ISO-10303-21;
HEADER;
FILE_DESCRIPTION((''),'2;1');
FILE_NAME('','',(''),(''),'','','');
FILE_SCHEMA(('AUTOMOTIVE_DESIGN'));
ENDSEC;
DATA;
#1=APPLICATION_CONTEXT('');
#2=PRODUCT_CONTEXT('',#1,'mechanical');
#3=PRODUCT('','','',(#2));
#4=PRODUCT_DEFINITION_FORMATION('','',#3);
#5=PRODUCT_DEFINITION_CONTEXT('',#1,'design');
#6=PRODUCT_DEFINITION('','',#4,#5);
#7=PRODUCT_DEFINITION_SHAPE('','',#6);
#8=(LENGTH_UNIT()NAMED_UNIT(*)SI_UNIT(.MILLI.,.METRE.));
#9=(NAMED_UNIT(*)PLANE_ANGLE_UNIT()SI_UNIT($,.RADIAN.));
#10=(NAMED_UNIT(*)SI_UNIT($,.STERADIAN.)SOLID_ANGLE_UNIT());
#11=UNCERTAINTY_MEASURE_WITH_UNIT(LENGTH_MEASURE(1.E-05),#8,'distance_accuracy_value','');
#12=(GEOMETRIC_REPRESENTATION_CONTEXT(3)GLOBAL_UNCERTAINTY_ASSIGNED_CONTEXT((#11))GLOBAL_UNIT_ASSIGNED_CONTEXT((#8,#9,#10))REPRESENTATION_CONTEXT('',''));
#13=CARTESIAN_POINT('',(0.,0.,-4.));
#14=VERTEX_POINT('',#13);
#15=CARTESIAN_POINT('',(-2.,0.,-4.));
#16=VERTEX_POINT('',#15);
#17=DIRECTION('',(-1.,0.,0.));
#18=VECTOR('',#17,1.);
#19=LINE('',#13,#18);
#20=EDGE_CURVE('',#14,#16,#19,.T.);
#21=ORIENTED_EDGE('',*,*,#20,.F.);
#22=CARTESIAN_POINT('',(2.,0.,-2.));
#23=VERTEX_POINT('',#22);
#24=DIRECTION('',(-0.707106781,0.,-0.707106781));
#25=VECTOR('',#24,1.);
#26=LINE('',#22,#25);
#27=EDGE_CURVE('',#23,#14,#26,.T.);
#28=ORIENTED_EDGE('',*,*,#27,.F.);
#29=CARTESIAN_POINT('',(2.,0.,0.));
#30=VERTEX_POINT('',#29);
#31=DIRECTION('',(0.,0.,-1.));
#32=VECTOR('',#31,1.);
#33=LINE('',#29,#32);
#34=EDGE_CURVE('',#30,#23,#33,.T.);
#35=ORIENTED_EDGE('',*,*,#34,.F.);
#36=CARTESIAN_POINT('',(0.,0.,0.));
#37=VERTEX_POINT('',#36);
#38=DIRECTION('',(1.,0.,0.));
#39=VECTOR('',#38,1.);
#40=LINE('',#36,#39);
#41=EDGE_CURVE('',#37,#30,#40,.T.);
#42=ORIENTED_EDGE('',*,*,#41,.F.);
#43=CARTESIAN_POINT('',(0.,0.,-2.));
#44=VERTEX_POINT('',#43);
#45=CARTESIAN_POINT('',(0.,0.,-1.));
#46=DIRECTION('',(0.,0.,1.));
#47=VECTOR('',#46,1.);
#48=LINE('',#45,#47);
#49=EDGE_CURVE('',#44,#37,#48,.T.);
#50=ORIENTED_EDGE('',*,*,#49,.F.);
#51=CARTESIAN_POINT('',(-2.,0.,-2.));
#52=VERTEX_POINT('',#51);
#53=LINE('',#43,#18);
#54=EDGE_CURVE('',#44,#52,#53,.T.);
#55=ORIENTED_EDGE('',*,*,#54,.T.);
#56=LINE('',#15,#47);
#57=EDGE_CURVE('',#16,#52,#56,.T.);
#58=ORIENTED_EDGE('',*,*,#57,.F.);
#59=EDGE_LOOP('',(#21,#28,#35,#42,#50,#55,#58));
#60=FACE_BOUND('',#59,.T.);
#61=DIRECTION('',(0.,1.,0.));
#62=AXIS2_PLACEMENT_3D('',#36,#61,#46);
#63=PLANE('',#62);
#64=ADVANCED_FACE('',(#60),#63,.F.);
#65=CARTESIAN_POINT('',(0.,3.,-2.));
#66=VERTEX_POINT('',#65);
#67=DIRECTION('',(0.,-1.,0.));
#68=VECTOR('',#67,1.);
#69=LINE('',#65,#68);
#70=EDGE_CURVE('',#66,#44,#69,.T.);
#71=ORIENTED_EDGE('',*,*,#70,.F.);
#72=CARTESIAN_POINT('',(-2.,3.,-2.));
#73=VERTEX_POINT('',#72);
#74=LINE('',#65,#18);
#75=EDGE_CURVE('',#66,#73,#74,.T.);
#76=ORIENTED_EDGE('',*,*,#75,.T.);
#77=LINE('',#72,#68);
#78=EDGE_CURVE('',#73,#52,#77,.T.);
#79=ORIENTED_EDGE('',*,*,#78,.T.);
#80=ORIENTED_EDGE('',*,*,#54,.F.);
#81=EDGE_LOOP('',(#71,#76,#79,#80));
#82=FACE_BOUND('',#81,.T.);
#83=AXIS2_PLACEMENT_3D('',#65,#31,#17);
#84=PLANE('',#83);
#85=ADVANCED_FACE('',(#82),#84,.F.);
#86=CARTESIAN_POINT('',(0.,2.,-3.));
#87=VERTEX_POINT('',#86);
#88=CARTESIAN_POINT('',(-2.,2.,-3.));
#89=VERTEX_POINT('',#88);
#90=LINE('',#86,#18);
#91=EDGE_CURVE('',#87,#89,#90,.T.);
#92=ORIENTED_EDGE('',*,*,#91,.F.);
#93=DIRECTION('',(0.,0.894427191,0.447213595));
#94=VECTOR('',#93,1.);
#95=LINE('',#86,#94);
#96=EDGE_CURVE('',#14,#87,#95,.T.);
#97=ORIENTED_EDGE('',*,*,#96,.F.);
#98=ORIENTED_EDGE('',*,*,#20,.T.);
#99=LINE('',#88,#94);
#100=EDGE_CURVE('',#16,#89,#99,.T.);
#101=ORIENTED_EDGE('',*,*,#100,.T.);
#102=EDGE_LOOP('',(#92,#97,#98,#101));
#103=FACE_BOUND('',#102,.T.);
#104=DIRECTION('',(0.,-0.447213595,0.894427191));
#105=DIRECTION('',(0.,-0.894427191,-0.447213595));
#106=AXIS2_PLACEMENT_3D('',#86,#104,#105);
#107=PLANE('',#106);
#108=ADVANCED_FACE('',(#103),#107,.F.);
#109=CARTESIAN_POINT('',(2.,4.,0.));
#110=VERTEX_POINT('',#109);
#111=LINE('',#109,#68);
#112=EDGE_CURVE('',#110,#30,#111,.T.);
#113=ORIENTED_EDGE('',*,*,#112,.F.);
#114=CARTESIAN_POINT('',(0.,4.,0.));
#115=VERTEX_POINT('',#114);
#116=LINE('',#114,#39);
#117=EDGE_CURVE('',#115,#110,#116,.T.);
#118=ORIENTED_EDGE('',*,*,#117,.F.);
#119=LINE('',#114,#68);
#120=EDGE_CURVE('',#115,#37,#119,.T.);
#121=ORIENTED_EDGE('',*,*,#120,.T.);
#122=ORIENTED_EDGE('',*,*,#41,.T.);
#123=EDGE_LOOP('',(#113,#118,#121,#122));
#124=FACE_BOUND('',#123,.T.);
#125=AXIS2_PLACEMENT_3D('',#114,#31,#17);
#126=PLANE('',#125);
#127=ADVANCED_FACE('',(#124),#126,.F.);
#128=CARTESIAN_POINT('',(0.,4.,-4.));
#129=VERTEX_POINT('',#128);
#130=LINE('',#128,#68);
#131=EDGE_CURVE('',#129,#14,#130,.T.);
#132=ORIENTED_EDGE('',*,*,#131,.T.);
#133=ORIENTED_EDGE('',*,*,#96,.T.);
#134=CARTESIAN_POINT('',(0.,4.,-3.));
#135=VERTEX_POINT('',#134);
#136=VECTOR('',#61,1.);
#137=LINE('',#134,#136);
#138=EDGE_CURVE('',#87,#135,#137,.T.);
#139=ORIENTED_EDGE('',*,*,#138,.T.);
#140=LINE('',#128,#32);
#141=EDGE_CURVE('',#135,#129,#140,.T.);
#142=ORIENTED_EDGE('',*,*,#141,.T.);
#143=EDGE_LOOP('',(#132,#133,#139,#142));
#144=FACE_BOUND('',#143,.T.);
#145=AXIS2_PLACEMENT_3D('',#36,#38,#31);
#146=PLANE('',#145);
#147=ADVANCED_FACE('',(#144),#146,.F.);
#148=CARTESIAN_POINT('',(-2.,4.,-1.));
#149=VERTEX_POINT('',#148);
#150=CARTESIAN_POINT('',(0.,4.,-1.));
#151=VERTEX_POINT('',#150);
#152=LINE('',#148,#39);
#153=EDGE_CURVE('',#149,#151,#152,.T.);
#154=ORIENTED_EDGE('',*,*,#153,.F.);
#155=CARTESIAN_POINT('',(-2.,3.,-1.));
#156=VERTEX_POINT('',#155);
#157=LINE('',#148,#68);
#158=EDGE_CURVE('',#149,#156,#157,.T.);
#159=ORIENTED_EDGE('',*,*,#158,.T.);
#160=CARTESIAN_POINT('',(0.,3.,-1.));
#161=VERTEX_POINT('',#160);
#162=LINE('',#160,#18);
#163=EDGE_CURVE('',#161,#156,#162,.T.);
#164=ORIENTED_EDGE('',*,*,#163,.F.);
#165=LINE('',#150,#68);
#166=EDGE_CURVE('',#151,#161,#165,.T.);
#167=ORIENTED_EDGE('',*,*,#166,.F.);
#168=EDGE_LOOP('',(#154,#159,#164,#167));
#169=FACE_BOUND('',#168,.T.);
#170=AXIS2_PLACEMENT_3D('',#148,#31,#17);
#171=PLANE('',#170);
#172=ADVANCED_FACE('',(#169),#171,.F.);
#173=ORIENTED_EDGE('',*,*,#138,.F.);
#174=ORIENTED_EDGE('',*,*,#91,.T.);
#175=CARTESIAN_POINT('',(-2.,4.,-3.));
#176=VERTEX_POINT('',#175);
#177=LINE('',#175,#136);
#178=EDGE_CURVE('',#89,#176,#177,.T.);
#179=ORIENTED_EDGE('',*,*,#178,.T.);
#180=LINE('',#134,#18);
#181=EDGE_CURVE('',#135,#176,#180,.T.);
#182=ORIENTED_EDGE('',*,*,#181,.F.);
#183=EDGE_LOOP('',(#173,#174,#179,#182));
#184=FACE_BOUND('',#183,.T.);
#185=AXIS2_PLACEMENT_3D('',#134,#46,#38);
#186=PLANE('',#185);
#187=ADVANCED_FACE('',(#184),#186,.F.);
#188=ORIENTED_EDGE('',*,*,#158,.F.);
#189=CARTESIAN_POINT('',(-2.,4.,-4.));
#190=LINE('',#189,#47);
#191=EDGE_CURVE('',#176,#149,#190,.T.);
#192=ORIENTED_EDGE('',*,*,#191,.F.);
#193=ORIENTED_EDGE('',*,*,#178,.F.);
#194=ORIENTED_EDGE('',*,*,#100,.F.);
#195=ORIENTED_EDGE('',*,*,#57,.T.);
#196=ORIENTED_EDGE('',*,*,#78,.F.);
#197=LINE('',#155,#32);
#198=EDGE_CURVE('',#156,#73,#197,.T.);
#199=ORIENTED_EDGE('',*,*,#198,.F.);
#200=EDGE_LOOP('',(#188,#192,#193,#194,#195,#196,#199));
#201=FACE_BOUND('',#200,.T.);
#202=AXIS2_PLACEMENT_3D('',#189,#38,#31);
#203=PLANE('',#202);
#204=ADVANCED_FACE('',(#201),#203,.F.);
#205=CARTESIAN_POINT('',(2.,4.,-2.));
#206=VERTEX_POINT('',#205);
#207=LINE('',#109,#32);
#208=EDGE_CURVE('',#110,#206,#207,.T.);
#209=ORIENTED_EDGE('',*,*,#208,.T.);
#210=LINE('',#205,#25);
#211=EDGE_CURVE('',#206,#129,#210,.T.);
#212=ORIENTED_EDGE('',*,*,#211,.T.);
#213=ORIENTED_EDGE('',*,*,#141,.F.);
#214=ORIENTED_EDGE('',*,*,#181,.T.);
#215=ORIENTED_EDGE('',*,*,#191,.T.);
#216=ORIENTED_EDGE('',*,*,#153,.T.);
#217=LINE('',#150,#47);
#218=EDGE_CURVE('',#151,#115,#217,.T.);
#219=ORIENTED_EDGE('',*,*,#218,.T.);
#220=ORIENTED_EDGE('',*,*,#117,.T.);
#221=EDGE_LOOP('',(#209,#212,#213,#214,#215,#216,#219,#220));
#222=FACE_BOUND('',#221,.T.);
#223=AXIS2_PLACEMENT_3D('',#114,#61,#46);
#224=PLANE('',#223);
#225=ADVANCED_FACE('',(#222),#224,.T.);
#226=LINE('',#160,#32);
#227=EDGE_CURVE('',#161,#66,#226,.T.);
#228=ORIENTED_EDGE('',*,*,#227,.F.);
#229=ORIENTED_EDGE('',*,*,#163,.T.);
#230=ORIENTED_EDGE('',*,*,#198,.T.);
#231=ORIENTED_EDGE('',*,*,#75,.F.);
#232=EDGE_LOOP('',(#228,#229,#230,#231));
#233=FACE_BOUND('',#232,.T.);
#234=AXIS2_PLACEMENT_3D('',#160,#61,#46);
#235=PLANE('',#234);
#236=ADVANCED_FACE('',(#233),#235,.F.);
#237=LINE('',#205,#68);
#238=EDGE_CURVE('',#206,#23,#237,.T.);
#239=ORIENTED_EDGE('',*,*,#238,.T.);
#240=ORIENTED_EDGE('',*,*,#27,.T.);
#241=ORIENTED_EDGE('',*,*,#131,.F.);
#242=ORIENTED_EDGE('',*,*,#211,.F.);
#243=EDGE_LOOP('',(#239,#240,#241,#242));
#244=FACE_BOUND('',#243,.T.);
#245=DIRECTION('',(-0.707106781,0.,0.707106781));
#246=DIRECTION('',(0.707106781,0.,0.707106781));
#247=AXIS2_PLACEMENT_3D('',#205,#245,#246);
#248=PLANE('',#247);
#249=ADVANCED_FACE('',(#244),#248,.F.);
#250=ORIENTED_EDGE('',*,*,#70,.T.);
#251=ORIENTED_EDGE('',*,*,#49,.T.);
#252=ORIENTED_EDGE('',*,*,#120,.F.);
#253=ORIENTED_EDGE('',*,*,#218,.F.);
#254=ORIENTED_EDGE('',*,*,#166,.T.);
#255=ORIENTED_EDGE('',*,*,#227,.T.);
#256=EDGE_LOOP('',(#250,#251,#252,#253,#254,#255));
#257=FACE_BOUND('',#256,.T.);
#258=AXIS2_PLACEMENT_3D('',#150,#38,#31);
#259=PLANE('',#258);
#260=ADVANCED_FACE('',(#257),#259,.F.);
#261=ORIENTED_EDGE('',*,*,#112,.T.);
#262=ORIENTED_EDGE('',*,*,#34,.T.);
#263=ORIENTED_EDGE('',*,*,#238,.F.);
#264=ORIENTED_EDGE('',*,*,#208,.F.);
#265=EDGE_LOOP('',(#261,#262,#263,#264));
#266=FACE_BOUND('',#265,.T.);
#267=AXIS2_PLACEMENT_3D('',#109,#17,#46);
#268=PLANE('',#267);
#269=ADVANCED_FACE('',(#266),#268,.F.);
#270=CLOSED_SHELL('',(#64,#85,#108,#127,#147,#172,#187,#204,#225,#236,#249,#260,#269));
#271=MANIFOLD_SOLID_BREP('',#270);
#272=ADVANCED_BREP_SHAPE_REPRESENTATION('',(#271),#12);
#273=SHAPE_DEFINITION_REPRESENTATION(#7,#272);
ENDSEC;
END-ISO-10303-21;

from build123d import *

# Parameters (mm, degrees)
BOSS_EXTRUDE1_DEPTH = 4
SKETCH2_W           = 1
SKETCH2_H           = 3
CUT_EXTRUDE1_DEPTH  = 2


with BuildPart() as part:
    # Sketch1 → Boss-Extrude1 (new body)
    with BuildSketch(Plane(origin=(0, 0, 0), x_dir=(1, 0, 0), z_dir=(0, 1, 0))):
        Polygon((0, 0), (2, 0), (2, 2), (0, 4), (-2, 4), (-2, 1), (0, 1), align=None)
    extrude(amount=BOSS_EXTRUDE1_DEPTH)

    # Sketch2 → Cut-Extrude1 (cut)
    with BuildSketch(Plane.ZY.offset(2)):
        with Locations((-1.5, 1.5)):
            Rectangle(SKETCH2_W, SKETCH2_H)
        Polygon((-3, 4), (-3, 2), (-4, 0), (-4, 2), (-4, 4), align=None)
    extrude(amount=-CUT_EXTRUDE1_DEPTH, mode=Mode.SUBTRACT)


solid = part.part
